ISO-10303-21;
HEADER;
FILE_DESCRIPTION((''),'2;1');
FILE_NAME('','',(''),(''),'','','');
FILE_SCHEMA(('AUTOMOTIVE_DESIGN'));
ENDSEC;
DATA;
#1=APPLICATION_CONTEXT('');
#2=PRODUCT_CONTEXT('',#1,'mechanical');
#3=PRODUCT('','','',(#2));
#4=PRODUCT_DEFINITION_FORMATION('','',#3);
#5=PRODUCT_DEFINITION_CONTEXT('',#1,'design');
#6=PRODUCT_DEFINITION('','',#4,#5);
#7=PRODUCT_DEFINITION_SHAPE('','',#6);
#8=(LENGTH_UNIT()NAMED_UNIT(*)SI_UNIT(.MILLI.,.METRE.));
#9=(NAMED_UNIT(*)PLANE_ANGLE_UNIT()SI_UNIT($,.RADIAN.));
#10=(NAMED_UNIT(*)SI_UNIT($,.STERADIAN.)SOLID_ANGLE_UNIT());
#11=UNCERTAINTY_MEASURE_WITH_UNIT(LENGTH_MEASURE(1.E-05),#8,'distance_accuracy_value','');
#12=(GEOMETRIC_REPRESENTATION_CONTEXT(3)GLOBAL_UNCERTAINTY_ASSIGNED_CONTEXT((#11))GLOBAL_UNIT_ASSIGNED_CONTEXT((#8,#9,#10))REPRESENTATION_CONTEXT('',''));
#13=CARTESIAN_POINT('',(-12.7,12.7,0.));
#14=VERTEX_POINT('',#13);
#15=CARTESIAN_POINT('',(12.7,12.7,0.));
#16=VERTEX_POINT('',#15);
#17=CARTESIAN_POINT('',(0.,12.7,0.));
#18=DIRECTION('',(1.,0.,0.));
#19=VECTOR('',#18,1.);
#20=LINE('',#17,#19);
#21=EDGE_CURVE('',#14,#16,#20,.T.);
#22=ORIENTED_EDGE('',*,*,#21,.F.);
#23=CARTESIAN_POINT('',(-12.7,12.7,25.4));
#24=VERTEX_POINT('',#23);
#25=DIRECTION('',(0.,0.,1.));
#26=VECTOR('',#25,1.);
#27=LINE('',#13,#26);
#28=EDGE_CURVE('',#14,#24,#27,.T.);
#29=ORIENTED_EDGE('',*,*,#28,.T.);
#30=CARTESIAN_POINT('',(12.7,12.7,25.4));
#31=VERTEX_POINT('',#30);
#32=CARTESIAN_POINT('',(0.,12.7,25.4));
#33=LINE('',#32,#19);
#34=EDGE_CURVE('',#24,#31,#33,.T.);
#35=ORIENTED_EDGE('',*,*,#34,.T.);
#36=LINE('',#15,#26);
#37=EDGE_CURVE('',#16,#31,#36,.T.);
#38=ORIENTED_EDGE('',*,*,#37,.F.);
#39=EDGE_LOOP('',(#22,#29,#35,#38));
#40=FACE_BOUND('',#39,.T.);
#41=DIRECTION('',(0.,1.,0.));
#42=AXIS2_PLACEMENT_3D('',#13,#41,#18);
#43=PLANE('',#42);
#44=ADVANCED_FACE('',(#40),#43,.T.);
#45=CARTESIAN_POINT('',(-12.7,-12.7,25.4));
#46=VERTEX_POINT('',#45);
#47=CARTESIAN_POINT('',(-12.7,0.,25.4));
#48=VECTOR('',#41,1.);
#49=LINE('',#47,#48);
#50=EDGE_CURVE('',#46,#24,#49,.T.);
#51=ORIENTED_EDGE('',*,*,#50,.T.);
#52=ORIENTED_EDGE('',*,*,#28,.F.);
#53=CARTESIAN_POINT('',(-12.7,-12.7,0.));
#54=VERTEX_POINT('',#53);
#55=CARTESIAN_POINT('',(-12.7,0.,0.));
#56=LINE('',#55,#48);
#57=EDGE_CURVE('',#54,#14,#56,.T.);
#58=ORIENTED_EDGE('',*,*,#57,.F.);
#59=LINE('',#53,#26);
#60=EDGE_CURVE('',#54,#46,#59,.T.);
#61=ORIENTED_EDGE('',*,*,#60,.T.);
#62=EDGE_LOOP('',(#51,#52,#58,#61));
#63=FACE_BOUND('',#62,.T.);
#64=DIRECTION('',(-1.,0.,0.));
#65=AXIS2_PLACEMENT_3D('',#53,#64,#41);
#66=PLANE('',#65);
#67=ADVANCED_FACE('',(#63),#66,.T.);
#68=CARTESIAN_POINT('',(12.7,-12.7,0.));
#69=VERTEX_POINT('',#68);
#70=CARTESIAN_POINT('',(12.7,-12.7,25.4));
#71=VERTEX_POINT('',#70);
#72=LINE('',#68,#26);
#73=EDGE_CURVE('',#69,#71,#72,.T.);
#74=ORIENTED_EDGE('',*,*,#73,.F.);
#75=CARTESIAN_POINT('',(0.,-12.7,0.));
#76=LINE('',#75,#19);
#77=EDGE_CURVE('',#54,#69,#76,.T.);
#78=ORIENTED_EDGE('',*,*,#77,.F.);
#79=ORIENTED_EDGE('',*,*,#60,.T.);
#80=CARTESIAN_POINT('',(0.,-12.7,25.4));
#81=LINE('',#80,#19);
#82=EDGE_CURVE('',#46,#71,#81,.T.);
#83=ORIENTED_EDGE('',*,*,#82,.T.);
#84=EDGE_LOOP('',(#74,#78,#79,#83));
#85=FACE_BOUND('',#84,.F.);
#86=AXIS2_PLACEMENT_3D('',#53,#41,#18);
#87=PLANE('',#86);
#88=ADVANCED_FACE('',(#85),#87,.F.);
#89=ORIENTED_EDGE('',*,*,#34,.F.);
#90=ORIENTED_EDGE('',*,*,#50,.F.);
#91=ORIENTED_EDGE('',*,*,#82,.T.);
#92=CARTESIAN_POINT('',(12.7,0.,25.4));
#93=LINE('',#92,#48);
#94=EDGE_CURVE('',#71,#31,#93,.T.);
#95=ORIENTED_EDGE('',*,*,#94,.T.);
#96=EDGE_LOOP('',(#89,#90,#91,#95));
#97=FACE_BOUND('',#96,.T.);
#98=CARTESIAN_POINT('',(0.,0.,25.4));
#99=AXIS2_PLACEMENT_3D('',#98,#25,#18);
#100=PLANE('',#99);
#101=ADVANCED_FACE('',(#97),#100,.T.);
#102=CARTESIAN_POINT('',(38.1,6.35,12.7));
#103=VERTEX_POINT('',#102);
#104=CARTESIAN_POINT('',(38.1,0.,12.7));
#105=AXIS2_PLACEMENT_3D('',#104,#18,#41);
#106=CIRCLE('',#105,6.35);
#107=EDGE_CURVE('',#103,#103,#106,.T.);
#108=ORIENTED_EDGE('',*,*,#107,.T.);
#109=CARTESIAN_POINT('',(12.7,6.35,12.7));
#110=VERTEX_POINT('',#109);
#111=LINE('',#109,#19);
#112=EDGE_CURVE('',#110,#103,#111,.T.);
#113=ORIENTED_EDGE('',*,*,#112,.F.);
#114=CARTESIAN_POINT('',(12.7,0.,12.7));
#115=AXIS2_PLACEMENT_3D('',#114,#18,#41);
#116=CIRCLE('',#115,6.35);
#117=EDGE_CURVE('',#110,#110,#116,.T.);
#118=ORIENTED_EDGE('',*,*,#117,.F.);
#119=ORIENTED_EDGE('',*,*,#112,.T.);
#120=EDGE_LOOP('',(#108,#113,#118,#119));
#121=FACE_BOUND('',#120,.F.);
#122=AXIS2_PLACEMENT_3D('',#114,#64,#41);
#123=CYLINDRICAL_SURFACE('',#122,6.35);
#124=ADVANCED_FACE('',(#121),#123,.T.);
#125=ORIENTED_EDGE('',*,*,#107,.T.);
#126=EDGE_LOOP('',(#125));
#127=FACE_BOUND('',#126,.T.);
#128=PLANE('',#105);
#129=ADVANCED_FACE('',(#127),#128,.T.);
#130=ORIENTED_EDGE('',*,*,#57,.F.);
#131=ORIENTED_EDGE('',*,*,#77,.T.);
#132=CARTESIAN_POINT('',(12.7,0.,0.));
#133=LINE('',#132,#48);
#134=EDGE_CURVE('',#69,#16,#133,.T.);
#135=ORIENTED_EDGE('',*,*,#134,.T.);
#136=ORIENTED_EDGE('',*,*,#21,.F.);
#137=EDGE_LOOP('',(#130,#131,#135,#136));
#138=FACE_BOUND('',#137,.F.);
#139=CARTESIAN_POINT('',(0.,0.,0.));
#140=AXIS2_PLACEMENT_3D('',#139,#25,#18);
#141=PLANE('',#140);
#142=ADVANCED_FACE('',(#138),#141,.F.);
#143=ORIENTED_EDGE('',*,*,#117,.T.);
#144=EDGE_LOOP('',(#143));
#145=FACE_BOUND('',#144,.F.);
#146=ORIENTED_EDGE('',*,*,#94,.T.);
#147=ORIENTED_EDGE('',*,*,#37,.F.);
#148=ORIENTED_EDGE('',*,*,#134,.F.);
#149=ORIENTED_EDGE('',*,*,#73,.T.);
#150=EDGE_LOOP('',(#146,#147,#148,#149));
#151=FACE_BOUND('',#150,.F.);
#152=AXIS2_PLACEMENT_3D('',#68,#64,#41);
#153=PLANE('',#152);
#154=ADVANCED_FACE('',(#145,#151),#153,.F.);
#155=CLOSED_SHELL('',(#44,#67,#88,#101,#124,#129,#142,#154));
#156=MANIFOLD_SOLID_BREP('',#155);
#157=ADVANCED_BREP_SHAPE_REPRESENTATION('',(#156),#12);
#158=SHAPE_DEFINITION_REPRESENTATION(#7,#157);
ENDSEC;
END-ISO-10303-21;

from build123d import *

# Parameters (mm, degrees)
F0_W     = 25.4
F0_H     = 25.4
F1_DEPTH = 25.4
F2_R     = 6.35
F3_DEPTH = 25.4


with BuildPart() as f1:
    # F0 (on Top) → F1 (new body)
    with BuildSketch(Plane.XY):
        Rectangle(F0_W, F0_H)
    extrude(amount=F1_DEPTH)

    # F2 (on face) → F3 (join)
    with BuildSketch(Plane.YZ.offset(12.7)):
        with Locations((0, 12.7)):
            Circle(F2_R)
    extrude(amount=F3_DEPTH)


solid = f1.part
